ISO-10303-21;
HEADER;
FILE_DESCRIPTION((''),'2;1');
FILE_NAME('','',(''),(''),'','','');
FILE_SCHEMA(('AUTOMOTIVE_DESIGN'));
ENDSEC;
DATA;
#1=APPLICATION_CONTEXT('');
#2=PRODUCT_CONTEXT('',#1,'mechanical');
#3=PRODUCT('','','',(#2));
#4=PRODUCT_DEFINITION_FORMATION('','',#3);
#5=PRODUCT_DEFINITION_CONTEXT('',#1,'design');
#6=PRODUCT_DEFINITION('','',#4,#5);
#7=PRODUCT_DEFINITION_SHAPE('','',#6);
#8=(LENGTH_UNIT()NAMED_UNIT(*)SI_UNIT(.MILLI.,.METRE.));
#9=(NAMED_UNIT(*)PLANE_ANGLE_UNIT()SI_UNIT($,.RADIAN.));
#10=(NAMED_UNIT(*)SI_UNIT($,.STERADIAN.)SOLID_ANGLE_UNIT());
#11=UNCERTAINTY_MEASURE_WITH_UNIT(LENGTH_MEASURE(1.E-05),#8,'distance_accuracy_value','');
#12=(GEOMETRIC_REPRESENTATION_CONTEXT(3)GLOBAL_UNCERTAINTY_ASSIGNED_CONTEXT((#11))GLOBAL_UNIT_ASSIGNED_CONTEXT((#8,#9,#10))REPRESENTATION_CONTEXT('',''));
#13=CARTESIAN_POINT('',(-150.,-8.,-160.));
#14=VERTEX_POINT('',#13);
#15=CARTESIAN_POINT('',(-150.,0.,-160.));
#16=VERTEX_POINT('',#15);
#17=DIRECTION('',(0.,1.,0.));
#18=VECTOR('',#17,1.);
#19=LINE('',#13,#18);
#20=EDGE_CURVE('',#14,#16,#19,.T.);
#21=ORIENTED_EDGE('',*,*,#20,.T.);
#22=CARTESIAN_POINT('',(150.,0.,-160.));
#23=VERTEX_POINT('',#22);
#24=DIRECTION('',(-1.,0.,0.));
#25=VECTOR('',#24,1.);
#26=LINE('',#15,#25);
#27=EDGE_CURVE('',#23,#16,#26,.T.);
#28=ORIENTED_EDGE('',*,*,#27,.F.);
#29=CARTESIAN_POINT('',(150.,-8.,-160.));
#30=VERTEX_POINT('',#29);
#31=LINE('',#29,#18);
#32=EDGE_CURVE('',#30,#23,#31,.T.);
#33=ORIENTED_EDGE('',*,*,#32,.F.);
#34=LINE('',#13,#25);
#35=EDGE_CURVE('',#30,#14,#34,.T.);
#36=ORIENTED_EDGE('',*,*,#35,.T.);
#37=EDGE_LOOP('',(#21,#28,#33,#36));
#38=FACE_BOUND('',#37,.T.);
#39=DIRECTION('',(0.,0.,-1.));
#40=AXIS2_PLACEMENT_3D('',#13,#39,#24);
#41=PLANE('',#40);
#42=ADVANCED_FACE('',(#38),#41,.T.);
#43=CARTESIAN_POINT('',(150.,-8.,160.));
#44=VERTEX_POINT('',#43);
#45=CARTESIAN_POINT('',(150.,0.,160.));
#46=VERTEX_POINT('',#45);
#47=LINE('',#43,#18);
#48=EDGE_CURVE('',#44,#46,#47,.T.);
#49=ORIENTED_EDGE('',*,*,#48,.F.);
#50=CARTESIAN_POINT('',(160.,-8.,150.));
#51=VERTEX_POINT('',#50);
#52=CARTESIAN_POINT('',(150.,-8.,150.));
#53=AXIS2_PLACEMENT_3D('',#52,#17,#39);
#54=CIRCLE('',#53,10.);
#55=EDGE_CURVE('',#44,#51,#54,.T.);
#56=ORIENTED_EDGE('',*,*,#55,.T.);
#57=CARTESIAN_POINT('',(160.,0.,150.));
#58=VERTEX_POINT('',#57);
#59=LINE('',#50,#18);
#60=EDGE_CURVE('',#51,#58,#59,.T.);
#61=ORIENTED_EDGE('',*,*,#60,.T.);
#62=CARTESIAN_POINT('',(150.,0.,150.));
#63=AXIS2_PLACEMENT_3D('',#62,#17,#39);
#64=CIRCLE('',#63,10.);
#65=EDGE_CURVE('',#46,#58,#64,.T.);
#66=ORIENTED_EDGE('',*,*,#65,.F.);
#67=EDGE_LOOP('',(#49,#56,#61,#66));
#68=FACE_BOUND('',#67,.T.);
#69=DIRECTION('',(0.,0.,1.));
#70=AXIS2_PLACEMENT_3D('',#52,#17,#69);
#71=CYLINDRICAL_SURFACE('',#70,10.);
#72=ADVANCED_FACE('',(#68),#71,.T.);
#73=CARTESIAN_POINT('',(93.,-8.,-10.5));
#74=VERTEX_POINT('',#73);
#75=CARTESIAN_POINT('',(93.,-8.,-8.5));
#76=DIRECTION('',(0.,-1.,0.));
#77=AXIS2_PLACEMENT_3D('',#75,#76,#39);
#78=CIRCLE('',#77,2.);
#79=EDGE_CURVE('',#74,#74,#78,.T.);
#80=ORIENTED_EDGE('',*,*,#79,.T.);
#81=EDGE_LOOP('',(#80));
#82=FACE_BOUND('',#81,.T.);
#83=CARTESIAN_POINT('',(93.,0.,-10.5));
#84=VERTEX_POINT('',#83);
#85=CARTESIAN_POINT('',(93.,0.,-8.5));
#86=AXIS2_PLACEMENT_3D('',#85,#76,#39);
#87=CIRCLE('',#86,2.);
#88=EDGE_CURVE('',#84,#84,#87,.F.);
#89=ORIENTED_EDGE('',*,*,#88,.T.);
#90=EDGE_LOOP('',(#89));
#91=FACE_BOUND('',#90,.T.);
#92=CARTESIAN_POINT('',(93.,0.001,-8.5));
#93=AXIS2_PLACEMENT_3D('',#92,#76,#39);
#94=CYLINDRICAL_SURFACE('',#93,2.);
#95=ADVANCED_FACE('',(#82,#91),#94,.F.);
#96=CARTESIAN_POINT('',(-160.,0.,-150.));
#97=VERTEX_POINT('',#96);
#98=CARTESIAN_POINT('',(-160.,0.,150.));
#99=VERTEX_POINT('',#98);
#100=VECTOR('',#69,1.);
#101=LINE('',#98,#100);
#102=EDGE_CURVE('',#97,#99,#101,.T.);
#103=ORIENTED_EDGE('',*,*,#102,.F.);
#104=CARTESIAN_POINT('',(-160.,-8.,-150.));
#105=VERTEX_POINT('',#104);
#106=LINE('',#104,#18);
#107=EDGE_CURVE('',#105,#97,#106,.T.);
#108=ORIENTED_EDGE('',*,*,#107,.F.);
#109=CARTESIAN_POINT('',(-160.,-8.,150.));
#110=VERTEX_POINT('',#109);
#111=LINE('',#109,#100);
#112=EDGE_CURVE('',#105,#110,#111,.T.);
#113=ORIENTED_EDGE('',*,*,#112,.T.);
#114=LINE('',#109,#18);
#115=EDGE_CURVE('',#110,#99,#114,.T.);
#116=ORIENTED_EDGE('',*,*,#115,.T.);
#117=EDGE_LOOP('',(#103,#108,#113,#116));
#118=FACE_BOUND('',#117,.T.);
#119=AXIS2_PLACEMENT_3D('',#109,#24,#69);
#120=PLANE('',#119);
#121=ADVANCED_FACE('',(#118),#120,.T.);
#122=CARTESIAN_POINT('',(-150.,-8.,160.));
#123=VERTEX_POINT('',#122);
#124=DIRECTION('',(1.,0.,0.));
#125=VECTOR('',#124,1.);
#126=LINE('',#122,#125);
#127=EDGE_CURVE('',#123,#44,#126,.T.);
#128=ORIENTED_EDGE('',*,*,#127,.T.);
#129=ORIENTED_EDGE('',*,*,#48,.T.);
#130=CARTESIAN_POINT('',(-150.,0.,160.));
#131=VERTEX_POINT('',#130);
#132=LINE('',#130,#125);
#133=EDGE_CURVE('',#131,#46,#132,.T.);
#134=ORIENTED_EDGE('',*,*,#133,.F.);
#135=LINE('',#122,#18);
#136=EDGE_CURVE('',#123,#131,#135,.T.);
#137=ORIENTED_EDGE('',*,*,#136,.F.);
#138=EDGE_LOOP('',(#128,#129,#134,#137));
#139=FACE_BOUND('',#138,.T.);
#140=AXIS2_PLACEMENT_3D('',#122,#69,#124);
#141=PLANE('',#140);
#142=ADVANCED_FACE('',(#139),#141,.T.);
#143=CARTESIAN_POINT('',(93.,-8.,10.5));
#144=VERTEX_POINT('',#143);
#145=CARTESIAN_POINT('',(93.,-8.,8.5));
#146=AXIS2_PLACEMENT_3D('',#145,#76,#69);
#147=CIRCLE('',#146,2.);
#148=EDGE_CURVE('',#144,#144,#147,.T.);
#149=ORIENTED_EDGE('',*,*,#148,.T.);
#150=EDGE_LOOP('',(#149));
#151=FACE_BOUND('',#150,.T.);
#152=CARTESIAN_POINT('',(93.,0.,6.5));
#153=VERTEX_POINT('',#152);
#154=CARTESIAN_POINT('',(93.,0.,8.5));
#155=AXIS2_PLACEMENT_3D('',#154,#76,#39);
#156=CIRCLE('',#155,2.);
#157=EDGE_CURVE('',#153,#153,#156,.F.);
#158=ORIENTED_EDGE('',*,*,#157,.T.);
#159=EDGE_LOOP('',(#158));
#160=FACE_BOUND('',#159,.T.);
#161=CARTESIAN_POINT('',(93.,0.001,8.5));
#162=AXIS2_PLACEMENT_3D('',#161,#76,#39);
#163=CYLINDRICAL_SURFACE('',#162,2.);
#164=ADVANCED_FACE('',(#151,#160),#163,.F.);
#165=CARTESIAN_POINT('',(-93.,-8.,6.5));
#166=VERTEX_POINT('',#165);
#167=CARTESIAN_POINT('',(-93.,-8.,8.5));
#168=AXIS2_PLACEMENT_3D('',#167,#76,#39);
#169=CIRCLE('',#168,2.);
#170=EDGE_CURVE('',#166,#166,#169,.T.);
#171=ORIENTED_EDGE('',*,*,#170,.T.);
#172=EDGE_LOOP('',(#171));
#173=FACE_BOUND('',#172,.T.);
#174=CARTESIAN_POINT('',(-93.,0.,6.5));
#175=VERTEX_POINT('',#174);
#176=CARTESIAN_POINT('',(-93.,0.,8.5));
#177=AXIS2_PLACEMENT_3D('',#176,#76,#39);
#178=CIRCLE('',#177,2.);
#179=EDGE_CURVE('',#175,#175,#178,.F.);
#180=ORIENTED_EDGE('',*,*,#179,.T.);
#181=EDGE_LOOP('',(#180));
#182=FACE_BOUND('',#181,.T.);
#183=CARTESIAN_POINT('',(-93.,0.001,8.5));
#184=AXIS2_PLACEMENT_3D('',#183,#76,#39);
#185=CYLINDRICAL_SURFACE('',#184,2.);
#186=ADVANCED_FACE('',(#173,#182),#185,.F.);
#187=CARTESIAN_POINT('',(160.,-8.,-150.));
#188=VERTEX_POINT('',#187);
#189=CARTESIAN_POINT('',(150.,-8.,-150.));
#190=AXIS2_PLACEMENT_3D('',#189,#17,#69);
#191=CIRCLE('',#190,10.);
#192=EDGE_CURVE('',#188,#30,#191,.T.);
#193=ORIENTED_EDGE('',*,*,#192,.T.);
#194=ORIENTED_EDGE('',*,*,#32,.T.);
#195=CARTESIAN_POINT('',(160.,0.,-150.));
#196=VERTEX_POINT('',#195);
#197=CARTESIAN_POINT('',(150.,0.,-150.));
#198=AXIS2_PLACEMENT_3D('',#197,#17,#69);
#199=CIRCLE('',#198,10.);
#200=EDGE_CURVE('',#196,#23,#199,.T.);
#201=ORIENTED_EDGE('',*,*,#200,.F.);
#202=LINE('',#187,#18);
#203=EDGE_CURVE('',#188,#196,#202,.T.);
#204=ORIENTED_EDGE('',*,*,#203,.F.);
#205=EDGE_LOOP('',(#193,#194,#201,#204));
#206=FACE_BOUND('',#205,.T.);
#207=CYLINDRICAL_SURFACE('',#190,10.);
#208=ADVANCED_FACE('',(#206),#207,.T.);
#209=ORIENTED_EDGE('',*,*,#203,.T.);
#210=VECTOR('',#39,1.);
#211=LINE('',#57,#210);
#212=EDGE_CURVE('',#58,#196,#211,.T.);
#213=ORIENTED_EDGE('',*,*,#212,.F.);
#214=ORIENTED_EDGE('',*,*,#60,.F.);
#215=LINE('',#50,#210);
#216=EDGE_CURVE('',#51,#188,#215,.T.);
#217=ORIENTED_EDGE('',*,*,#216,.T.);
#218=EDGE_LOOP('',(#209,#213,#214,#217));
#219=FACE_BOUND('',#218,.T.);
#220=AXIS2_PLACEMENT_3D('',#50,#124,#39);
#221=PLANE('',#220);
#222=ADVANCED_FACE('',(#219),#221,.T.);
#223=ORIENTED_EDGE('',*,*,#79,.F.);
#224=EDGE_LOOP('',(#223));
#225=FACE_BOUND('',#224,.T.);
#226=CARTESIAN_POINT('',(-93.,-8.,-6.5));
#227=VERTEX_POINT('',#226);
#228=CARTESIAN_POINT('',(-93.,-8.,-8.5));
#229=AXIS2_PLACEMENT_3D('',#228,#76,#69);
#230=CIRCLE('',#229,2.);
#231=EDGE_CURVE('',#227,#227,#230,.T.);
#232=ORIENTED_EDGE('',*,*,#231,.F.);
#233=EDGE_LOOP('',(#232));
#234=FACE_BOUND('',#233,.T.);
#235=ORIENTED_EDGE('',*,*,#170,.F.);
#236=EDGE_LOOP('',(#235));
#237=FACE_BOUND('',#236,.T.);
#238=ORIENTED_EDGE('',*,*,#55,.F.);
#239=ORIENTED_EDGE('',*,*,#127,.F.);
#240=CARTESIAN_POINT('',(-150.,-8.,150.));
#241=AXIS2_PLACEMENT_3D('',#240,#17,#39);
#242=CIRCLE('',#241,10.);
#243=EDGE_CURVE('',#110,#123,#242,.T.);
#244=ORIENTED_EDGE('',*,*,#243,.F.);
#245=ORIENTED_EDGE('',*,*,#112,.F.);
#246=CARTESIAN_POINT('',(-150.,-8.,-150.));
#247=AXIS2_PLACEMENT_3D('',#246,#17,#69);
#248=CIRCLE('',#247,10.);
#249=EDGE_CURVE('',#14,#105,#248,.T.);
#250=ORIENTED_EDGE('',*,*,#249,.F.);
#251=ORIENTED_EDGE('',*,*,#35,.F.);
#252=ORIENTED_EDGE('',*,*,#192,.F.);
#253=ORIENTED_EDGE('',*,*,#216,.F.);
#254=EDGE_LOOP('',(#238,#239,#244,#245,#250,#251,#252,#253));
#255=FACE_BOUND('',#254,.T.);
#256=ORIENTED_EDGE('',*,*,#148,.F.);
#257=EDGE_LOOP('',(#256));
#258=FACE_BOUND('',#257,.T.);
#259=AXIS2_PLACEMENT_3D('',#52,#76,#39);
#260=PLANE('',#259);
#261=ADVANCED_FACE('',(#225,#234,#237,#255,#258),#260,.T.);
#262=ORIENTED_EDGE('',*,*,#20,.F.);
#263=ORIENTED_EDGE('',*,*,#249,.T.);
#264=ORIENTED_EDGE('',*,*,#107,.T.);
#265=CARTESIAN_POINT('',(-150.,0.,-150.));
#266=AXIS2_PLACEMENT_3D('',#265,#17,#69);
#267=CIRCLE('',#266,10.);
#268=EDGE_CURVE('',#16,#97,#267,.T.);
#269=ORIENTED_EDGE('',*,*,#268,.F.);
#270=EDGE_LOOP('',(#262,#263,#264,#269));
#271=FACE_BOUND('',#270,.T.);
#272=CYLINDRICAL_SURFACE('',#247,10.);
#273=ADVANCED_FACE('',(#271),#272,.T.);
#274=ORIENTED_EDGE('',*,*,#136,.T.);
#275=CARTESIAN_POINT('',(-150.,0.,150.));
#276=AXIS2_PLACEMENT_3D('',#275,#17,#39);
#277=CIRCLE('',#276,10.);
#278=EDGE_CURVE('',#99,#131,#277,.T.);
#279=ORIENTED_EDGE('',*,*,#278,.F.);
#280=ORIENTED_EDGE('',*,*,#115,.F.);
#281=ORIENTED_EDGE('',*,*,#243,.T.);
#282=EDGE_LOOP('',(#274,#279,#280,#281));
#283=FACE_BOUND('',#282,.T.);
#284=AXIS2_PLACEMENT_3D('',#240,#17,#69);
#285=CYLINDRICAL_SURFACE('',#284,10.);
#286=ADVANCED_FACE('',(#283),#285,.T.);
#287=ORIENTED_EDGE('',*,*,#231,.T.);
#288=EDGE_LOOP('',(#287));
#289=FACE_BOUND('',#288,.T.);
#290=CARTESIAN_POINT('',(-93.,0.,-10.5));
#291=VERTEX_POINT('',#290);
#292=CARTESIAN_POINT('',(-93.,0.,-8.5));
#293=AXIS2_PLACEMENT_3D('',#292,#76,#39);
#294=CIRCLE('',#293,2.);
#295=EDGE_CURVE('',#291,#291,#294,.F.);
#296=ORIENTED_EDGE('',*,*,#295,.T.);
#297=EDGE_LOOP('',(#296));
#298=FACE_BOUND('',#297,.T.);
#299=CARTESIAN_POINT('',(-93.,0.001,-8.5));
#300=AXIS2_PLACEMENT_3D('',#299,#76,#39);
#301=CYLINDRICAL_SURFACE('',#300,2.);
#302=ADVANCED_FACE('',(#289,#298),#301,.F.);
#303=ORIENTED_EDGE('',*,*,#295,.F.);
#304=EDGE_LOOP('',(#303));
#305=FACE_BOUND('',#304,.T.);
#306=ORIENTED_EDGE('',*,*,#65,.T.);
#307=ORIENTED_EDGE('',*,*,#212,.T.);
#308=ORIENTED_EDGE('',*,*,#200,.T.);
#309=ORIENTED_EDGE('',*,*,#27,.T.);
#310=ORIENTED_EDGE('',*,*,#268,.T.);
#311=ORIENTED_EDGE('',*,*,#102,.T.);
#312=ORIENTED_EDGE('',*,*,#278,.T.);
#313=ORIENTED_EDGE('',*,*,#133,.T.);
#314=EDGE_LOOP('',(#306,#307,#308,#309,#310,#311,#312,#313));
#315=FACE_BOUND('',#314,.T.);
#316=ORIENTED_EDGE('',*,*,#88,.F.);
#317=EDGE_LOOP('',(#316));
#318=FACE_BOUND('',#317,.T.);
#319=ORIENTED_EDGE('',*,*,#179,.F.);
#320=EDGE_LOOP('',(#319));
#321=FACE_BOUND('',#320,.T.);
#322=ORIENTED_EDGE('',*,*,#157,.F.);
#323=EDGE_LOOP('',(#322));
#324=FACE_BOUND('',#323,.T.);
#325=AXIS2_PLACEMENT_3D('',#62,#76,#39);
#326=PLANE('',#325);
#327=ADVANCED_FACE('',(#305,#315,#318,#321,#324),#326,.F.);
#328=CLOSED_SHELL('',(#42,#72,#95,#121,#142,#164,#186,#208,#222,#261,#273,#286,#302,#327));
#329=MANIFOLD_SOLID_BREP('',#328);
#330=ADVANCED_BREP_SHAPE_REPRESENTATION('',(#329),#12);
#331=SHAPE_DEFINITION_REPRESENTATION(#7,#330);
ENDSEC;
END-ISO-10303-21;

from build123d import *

# Parameters (mm, degrees)
EXTRUDE_1_DEPTH     = 8
CUT_EXTRUDE_1_REACH = 228.416
SKETCH_2_R          = 2


with BuildPart() as part:
    # 草图1 → 凸台-拉伸1 (new body)
    with BuildSketch(Plane(origin=(0, 0, 0), x_dir=(1, 0, 0), z_dir=(0, 1, 0))):
        with BuildLine():
            Line((-150, -160), (150, -160))
            ThreePointArc((150, -160), (157.071067812, -157.071067812), (160, -150))
            Line((160, -150), (160, 150))
            ThreePointArc((160, 150), (157.071067812, 157.071067812), (150, 160))
            Line((150, 160), (-150, 160))
            ThreePointArc((-150, 160), (-157.071067812, 157.071067812), (-160, 150))
            Line((-160, 150), (-160, -150))
            ThreePointArc((-160, -150), (-157.071067812, -157.071067812), (-150, -160))
        make_face()
    extrude(amount=-EXTRUDE_1_DEPTH)

    # 草图2 → 切除-拉伸1 (cut, up to next)
    with BuildSketch(Plane.XZ.offset(8), mode=Mode.PRIVATE) as cut_extrude_1_sk1:
        with Locations(Location((-93, 8.5, 0), (0, 0, 270))):
            Circle(SKETCH_2_R)
    cut_extrude_1_tool1 = extrude(cut_extrude_1_sk1.sketch, amount=-CUT_EXTRUDE_1_REACH, mode=Mode.PRIVATE) & part.part
    # 草图2 → 切除-拉伸1 (cut, up to next)
    with BuildSketch(Plane.XZ.offset(8), mode=Mode.PRIVATE) as cut_extrude_1_sk2:
        with Locations(Location((93, 8.5, 0), (0, 0, 270))):
            Circle(SKETCH_2_R)
    cut_extrude_1_tool2 = extrude(cut_extrude_1_sk2.sketch, amount=-CUT_EXTRUDE_1_REACH, mode=Mode.PRIVATE) & part.part
    # 草图2 → 切除-拉伸1 (cut, up to next)
    with BuildSketch(Plane.XZ.offset(8), mode=Mode.PRIVATE) as cut_extrude_1_sk3:
        with Locations(Location((93, -8.5, 0), (0, 0, 270))):
            Circle(SKETCH_2_R)
    cut_extrude_1_tool3 = extrude(cut_extrude_1_sk3.sketch, amount=-CUT_EXTRUDE_1_REACH, mode=Mode.PRIVATE) & part.part
    # 草图2 → 切除-拉伸1 (cut, up to next)
    with BuildSketch(Plane.XZ.offset(8), mode=Mode.PRIVATE) as cut_extrude_1_sk4:
        with Locations(Location((-93, -8.5, 0), (0, 0, 270))):
            Circle(SKETCH_2_R)
    cut_extrude_1_tool4 = extrude(cut_extrude_1_sk4.sketch, amount=-CUT_EXTRUDE_1_REACH, mode=Mode.PRIVATE) & part.part
    add(cut_extrude_1_tool1.solids().sort_by_distance((-93, -8, 8.5))[0], mode=Mode.SUBTRACT)
    add(cut_extrude_1_tool2.solids().sort_by_distance((93, -8, 8.5))[0], mode=Mode.SUBTRACT)
    add(cut_extrude_1_tool3.solids().sort_by_distance((93, -8, -8.5))[0], mode=Mode.SUBTRACT)
    add(cut_extrude_1_tool4.solids().sort_by_distance((-93, -8, -8.5))[0], mode=Mode.SUBTRACT)


solid = part.part
